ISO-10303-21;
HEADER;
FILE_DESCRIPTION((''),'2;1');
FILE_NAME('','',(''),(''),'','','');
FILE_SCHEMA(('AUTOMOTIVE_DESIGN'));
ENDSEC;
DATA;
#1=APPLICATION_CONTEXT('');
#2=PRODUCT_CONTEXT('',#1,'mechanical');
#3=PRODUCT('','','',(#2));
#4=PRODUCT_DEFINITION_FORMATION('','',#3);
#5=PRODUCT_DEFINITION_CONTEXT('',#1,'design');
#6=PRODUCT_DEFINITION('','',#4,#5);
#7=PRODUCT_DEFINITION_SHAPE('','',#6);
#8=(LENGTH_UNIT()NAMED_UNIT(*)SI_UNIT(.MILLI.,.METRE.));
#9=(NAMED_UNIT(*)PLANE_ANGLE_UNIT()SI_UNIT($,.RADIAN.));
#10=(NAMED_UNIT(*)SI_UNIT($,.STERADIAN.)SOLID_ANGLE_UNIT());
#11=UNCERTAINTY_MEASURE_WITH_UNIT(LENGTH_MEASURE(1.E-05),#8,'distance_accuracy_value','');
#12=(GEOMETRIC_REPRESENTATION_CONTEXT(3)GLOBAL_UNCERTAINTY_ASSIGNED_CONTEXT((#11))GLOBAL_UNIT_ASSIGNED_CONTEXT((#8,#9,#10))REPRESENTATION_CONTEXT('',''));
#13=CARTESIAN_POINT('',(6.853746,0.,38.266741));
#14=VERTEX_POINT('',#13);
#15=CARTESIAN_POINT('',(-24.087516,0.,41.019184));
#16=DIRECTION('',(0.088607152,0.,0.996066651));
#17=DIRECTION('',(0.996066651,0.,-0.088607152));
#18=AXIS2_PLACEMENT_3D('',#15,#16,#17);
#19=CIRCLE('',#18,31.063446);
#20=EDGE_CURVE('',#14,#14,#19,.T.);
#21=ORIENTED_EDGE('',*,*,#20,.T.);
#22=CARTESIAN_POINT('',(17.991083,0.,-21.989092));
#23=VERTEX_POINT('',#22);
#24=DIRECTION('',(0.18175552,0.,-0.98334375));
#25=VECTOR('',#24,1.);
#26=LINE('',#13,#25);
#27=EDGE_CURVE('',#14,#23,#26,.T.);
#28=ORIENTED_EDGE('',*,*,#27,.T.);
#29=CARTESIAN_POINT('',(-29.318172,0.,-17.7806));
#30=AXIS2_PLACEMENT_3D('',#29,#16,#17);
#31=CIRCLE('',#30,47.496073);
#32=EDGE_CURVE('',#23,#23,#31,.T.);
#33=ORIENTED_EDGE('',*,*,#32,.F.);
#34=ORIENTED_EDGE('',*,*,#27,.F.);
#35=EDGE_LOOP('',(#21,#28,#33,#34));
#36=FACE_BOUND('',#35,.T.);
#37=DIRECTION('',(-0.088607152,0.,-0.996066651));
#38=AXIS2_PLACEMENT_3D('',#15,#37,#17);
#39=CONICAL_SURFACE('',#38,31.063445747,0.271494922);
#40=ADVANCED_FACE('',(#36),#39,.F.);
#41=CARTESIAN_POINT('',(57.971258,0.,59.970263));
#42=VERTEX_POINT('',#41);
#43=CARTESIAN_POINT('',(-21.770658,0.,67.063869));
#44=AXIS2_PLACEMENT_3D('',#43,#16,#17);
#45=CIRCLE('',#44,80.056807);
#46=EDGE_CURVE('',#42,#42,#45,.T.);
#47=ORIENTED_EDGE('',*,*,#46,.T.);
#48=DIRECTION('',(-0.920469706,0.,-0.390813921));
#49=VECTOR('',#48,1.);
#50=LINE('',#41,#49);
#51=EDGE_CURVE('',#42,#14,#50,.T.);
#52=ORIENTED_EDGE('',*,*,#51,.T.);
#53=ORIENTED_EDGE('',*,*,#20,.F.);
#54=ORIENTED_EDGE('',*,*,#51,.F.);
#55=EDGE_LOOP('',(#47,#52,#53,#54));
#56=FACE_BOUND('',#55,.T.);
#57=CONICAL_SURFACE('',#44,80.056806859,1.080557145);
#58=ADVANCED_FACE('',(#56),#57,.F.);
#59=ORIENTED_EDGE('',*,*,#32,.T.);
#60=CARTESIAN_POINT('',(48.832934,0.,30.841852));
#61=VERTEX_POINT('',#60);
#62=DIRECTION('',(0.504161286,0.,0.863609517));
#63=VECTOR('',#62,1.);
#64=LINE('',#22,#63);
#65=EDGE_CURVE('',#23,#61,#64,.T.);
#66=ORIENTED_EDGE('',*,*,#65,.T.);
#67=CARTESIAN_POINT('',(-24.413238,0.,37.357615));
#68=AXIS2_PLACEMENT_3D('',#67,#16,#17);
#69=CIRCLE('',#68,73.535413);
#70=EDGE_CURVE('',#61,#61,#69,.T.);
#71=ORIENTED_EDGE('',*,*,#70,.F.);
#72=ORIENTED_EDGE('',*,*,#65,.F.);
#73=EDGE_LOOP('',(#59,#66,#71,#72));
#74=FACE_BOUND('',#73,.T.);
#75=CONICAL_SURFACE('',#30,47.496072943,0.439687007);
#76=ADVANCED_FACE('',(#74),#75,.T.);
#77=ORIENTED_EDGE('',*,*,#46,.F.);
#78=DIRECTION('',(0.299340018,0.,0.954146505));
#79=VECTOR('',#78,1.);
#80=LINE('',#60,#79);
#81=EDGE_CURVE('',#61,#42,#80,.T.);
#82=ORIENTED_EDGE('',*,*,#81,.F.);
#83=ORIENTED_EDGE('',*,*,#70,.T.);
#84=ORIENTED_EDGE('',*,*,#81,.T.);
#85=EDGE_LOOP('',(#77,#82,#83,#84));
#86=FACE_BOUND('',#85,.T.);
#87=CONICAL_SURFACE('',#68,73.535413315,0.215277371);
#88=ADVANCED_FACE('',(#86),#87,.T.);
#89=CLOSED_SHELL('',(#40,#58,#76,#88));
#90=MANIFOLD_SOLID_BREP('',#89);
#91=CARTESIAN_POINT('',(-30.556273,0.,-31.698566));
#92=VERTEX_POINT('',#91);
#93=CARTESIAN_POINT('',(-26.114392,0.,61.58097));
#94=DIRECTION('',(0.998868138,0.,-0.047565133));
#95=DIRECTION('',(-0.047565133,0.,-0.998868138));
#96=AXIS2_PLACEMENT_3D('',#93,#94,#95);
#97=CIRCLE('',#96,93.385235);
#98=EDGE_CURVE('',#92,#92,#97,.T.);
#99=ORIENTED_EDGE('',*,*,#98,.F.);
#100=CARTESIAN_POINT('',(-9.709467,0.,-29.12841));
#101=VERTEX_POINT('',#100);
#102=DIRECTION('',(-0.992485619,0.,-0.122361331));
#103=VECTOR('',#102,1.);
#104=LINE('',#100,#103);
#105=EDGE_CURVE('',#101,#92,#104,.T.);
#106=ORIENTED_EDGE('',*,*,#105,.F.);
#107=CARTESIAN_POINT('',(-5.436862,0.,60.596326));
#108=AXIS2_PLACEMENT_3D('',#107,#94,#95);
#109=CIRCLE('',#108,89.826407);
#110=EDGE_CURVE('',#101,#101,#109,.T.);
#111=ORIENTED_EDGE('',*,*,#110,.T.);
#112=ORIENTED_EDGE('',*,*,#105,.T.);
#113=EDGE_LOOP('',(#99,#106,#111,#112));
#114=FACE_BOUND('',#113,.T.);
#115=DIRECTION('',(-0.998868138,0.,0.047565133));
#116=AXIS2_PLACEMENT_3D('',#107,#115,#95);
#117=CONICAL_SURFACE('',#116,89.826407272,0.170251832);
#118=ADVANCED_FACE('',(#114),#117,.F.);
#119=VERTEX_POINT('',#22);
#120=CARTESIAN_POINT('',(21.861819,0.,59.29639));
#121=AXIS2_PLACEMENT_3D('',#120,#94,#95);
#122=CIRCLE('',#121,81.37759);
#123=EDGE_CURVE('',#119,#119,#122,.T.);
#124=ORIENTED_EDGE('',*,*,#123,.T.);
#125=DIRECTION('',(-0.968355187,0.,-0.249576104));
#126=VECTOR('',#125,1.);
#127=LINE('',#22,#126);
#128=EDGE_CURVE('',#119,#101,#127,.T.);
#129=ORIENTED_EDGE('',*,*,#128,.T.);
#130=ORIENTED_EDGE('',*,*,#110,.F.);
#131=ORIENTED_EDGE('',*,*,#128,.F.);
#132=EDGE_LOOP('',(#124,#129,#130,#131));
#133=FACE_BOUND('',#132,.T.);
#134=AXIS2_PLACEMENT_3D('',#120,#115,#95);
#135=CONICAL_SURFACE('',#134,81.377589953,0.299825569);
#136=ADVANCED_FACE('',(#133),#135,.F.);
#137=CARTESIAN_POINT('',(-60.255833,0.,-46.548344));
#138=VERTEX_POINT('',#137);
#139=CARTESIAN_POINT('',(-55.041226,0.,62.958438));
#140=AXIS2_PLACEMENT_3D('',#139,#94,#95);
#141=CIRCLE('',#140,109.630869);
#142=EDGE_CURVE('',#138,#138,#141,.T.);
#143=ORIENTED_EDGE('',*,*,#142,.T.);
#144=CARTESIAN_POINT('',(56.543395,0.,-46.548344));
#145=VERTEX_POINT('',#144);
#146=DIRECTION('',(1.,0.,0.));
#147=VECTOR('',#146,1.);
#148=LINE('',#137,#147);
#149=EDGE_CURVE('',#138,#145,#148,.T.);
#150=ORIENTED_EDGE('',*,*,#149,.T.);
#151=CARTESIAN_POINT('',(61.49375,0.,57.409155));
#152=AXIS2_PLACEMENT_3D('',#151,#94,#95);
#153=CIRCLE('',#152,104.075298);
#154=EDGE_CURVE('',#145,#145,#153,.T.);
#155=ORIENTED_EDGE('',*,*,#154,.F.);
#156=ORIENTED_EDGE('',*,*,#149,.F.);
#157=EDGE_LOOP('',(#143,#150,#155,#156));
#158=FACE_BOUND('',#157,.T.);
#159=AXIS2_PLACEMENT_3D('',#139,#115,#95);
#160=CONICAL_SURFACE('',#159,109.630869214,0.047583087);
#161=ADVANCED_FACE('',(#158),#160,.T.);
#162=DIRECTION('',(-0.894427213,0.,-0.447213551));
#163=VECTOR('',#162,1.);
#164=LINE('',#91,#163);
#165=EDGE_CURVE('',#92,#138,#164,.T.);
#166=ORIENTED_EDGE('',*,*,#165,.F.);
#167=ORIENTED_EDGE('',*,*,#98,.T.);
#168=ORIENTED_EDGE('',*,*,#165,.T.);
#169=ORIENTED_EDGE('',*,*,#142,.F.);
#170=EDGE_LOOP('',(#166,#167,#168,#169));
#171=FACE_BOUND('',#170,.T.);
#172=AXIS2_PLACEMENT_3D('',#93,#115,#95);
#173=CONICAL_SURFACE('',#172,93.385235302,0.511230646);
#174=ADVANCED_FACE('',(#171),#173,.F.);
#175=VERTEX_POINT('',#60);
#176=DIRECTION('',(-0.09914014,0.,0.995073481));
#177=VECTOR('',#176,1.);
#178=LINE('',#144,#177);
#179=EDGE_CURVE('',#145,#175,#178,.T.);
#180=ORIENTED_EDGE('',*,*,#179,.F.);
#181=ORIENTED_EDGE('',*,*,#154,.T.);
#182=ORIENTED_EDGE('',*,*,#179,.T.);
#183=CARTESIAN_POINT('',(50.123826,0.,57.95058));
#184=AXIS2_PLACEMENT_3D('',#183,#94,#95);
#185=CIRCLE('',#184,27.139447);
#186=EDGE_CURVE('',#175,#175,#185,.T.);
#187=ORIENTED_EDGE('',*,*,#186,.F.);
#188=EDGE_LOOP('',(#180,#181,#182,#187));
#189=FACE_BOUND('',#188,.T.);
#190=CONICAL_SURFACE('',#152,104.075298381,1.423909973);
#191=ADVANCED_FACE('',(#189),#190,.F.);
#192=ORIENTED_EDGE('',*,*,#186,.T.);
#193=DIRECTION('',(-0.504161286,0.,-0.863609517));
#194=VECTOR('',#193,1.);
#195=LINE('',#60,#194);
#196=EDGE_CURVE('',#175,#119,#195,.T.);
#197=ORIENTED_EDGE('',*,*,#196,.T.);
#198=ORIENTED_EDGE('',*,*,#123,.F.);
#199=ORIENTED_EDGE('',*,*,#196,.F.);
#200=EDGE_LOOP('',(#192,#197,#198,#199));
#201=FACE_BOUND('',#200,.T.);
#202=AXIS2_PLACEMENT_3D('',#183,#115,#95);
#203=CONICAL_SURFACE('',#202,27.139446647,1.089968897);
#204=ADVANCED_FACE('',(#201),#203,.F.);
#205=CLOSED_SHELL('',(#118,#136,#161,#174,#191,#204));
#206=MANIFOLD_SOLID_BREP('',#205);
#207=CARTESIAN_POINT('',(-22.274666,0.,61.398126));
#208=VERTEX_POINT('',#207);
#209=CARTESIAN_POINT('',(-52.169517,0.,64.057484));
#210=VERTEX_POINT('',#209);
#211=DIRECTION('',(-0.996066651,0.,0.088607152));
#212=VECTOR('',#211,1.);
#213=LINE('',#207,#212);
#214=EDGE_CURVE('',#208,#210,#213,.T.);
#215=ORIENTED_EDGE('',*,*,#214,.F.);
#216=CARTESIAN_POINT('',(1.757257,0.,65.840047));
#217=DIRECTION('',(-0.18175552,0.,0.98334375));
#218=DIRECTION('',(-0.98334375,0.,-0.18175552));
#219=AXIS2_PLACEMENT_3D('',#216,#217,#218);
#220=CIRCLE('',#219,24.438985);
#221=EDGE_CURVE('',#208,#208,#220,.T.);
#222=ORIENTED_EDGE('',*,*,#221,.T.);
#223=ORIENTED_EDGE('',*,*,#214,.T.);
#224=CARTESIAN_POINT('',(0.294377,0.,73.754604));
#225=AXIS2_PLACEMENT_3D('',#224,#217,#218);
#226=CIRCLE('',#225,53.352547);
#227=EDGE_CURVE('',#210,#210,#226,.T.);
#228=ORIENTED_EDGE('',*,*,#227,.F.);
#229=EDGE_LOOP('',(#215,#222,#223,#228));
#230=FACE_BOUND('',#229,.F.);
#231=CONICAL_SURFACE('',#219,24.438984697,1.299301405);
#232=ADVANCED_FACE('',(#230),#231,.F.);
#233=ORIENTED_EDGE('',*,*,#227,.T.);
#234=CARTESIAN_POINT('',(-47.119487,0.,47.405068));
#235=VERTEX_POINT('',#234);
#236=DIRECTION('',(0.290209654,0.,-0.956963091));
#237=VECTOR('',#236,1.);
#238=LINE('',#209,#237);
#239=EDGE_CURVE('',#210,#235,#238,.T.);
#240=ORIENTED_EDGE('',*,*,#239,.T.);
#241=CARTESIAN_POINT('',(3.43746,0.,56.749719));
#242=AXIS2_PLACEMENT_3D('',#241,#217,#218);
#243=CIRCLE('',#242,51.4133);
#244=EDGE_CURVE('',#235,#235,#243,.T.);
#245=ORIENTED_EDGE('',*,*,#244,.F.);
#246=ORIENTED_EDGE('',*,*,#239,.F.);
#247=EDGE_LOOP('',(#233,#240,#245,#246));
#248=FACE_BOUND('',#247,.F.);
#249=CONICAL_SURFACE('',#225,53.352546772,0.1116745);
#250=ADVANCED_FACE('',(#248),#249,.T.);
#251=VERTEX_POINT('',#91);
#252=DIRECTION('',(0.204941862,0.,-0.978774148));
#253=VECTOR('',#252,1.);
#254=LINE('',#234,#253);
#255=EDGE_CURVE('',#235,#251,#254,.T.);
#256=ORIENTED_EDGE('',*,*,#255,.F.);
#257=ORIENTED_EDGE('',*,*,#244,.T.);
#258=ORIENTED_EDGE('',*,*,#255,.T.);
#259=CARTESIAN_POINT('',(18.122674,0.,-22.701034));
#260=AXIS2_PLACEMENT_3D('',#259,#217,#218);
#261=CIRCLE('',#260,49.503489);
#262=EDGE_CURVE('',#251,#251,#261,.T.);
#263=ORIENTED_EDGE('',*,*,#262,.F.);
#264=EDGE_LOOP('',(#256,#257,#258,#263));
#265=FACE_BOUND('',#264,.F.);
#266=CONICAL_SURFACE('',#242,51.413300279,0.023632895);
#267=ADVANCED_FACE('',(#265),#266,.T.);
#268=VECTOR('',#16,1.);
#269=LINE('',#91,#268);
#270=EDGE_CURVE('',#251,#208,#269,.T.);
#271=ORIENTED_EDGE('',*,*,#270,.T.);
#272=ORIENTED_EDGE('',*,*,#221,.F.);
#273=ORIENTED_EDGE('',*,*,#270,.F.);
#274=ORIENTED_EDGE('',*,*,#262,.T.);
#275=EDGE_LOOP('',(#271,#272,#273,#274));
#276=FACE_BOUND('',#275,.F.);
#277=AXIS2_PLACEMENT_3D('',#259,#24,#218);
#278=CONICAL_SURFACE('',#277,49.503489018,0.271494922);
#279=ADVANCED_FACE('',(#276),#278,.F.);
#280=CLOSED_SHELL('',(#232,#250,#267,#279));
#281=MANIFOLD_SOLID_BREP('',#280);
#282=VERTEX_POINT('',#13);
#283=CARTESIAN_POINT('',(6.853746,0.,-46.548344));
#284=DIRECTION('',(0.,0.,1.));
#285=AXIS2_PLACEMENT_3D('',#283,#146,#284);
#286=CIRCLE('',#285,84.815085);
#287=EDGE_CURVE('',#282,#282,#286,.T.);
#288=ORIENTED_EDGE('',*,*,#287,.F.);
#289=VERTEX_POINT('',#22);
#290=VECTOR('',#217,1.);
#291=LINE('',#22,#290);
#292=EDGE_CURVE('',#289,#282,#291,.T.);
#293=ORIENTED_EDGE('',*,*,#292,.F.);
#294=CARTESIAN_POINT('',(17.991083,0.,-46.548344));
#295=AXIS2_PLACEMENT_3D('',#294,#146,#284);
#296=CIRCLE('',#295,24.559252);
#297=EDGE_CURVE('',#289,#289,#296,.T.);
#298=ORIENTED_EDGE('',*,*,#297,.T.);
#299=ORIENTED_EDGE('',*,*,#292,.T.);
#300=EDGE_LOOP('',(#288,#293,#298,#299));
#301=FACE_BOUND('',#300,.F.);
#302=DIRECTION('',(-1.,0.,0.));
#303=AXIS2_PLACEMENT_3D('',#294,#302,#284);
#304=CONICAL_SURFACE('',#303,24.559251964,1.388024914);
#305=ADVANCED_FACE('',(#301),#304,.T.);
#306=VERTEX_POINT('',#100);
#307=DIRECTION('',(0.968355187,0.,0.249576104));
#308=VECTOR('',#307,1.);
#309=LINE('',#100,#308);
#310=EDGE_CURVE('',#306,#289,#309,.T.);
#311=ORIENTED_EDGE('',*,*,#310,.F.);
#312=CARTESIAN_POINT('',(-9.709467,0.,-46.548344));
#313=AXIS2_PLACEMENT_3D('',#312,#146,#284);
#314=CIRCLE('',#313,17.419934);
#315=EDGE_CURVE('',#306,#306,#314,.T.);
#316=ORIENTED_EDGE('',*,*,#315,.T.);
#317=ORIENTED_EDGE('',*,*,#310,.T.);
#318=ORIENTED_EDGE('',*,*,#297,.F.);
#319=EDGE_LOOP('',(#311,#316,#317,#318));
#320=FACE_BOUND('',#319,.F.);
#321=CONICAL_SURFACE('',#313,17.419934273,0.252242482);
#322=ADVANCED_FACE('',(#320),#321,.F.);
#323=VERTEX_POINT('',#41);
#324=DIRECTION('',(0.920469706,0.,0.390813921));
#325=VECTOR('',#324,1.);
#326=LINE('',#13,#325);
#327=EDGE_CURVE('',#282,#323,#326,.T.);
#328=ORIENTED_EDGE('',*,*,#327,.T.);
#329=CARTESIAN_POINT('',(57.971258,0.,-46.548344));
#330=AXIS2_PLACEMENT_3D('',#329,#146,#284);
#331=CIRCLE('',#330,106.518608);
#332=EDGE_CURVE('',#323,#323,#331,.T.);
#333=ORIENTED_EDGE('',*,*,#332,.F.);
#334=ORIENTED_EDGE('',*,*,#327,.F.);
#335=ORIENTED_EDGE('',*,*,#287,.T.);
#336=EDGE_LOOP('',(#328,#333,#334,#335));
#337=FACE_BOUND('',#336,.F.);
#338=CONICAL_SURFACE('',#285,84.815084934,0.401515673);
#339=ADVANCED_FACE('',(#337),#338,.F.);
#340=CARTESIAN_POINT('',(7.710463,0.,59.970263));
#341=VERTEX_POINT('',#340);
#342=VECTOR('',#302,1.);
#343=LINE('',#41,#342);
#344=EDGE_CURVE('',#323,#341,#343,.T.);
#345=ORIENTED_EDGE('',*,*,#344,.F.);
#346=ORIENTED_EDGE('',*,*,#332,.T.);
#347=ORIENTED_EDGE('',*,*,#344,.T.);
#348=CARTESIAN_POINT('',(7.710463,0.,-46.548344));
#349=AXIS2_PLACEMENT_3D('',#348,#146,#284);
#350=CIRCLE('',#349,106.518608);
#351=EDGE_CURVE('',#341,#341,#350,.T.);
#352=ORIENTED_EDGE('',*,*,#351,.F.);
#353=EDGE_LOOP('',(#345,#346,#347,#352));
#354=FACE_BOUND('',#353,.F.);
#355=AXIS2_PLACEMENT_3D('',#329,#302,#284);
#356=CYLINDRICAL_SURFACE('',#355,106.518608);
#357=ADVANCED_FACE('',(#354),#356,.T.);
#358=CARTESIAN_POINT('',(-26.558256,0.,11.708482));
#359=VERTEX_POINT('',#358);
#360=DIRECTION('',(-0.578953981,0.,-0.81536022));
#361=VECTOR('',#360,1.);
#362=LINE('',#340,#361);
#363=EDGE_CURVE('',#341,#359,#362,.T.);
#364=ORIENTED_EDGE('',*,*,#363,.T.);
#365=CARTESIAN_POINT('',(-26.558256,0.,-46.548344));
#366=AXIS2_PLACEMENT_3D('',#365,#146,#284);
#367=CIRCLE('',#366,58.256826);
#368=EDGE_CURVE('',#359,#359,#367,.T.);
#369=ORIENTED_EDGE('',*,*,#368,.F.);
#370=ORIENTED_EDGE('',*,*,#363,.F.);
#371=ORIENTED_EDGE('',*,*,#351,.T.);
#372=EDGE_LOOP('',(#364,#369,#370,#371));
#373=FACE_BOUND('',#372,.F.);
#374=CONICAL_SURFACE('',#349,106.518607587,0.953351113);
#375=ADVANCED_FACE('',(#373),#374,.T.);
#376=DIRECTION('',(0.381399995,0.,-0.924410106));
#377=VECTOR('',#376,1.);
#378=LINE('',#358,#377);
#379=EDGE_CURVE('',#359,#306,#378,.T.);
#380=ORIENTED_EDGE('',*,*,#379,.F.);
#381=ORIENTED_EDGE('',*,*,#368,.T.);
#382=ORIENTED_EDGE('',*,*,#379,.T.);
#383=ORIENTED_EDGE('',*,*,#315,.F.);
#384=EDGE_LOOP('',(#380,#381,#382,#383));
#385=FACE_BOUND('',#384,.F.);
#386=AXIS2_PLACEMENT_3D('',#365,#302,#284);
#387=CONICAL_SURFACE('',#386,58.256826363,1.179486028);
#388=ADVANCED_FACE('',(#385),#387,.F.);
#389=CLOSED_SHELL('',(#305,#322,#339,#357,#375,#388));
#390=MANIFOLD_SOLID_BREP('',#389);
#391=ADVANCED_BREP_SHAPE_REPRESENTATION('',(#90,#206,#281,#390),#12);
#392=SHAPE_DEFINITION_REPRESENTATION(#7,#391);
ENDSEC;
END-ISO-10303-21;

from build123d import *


with BuildPart() as f1:
    # F0 (on Front) → F1 (revolve)
    with BuildSketch(Plane.XZ):
        Polygon((-52.169516676, 64.0574839801), (-47.119487077, 47.4050678313), (-30.5562727153, -31.6985659301), (-22.2746655345, 61.3981261849), align=None)
    revolve(axis=Axis((12.4224144965, 0, 8.1388242543), (-0.1817555197, 0, 0.9833437502)))


with BuildPart() as f2:
    # F0 (on Front) → F2 (revolve)
    with BuildSketch(Plane.XZ):
        Polygon((-26.5582557768, 11.7084821686), (-9.7094671801, -29.1284099221), (17.9910827428, -21.9890922308), (6.8537462503, 38.2667407393), (57.9712577164, 59.9702633917), (7.7104633674, 59.9702633917), align=None)
    revolve(axis=Axis((-1.8562190235, 0, -46.5483441949), (1, 0, 0)))


with BuildPart() as f3:
    # F0 (on Front) → F3 (revolve)
    with BuildSketch(Plane.XZ):
        Polygon((-30.5562727153, -31.6985659301), (-60.2558329701, -46.5483441949), (56.5433949232, -46.5483441949), (48.8329343498, 30.841851607), (17.9910827428, -21.9890922308), (-9.7094671801, -29.1284099221), align=None)
    revolve(axis=Axis((-7.2821010835, 0, 60.6841947883), (0.9988681385, 0, -0.0475651332)))


with BuildPart() as f4:
    # F0 (on Front) → F4 (revolve)
    with BuildSketch(Plane.XZ):
        Polygon((17.9910827428, -21.9890922308), (48.8329343498, 30.841851607), (57.9712577164, 59.9702633917), (6.8537462503, 38.2667407393), align=None)
    revolve(axis=Axis((-26.4154691249, 0, 14.8497801274), (0.0886071518, 0, 0.9960666507)))


solid = Compound([f1.part, f2.part, f3.part, f4.part])
